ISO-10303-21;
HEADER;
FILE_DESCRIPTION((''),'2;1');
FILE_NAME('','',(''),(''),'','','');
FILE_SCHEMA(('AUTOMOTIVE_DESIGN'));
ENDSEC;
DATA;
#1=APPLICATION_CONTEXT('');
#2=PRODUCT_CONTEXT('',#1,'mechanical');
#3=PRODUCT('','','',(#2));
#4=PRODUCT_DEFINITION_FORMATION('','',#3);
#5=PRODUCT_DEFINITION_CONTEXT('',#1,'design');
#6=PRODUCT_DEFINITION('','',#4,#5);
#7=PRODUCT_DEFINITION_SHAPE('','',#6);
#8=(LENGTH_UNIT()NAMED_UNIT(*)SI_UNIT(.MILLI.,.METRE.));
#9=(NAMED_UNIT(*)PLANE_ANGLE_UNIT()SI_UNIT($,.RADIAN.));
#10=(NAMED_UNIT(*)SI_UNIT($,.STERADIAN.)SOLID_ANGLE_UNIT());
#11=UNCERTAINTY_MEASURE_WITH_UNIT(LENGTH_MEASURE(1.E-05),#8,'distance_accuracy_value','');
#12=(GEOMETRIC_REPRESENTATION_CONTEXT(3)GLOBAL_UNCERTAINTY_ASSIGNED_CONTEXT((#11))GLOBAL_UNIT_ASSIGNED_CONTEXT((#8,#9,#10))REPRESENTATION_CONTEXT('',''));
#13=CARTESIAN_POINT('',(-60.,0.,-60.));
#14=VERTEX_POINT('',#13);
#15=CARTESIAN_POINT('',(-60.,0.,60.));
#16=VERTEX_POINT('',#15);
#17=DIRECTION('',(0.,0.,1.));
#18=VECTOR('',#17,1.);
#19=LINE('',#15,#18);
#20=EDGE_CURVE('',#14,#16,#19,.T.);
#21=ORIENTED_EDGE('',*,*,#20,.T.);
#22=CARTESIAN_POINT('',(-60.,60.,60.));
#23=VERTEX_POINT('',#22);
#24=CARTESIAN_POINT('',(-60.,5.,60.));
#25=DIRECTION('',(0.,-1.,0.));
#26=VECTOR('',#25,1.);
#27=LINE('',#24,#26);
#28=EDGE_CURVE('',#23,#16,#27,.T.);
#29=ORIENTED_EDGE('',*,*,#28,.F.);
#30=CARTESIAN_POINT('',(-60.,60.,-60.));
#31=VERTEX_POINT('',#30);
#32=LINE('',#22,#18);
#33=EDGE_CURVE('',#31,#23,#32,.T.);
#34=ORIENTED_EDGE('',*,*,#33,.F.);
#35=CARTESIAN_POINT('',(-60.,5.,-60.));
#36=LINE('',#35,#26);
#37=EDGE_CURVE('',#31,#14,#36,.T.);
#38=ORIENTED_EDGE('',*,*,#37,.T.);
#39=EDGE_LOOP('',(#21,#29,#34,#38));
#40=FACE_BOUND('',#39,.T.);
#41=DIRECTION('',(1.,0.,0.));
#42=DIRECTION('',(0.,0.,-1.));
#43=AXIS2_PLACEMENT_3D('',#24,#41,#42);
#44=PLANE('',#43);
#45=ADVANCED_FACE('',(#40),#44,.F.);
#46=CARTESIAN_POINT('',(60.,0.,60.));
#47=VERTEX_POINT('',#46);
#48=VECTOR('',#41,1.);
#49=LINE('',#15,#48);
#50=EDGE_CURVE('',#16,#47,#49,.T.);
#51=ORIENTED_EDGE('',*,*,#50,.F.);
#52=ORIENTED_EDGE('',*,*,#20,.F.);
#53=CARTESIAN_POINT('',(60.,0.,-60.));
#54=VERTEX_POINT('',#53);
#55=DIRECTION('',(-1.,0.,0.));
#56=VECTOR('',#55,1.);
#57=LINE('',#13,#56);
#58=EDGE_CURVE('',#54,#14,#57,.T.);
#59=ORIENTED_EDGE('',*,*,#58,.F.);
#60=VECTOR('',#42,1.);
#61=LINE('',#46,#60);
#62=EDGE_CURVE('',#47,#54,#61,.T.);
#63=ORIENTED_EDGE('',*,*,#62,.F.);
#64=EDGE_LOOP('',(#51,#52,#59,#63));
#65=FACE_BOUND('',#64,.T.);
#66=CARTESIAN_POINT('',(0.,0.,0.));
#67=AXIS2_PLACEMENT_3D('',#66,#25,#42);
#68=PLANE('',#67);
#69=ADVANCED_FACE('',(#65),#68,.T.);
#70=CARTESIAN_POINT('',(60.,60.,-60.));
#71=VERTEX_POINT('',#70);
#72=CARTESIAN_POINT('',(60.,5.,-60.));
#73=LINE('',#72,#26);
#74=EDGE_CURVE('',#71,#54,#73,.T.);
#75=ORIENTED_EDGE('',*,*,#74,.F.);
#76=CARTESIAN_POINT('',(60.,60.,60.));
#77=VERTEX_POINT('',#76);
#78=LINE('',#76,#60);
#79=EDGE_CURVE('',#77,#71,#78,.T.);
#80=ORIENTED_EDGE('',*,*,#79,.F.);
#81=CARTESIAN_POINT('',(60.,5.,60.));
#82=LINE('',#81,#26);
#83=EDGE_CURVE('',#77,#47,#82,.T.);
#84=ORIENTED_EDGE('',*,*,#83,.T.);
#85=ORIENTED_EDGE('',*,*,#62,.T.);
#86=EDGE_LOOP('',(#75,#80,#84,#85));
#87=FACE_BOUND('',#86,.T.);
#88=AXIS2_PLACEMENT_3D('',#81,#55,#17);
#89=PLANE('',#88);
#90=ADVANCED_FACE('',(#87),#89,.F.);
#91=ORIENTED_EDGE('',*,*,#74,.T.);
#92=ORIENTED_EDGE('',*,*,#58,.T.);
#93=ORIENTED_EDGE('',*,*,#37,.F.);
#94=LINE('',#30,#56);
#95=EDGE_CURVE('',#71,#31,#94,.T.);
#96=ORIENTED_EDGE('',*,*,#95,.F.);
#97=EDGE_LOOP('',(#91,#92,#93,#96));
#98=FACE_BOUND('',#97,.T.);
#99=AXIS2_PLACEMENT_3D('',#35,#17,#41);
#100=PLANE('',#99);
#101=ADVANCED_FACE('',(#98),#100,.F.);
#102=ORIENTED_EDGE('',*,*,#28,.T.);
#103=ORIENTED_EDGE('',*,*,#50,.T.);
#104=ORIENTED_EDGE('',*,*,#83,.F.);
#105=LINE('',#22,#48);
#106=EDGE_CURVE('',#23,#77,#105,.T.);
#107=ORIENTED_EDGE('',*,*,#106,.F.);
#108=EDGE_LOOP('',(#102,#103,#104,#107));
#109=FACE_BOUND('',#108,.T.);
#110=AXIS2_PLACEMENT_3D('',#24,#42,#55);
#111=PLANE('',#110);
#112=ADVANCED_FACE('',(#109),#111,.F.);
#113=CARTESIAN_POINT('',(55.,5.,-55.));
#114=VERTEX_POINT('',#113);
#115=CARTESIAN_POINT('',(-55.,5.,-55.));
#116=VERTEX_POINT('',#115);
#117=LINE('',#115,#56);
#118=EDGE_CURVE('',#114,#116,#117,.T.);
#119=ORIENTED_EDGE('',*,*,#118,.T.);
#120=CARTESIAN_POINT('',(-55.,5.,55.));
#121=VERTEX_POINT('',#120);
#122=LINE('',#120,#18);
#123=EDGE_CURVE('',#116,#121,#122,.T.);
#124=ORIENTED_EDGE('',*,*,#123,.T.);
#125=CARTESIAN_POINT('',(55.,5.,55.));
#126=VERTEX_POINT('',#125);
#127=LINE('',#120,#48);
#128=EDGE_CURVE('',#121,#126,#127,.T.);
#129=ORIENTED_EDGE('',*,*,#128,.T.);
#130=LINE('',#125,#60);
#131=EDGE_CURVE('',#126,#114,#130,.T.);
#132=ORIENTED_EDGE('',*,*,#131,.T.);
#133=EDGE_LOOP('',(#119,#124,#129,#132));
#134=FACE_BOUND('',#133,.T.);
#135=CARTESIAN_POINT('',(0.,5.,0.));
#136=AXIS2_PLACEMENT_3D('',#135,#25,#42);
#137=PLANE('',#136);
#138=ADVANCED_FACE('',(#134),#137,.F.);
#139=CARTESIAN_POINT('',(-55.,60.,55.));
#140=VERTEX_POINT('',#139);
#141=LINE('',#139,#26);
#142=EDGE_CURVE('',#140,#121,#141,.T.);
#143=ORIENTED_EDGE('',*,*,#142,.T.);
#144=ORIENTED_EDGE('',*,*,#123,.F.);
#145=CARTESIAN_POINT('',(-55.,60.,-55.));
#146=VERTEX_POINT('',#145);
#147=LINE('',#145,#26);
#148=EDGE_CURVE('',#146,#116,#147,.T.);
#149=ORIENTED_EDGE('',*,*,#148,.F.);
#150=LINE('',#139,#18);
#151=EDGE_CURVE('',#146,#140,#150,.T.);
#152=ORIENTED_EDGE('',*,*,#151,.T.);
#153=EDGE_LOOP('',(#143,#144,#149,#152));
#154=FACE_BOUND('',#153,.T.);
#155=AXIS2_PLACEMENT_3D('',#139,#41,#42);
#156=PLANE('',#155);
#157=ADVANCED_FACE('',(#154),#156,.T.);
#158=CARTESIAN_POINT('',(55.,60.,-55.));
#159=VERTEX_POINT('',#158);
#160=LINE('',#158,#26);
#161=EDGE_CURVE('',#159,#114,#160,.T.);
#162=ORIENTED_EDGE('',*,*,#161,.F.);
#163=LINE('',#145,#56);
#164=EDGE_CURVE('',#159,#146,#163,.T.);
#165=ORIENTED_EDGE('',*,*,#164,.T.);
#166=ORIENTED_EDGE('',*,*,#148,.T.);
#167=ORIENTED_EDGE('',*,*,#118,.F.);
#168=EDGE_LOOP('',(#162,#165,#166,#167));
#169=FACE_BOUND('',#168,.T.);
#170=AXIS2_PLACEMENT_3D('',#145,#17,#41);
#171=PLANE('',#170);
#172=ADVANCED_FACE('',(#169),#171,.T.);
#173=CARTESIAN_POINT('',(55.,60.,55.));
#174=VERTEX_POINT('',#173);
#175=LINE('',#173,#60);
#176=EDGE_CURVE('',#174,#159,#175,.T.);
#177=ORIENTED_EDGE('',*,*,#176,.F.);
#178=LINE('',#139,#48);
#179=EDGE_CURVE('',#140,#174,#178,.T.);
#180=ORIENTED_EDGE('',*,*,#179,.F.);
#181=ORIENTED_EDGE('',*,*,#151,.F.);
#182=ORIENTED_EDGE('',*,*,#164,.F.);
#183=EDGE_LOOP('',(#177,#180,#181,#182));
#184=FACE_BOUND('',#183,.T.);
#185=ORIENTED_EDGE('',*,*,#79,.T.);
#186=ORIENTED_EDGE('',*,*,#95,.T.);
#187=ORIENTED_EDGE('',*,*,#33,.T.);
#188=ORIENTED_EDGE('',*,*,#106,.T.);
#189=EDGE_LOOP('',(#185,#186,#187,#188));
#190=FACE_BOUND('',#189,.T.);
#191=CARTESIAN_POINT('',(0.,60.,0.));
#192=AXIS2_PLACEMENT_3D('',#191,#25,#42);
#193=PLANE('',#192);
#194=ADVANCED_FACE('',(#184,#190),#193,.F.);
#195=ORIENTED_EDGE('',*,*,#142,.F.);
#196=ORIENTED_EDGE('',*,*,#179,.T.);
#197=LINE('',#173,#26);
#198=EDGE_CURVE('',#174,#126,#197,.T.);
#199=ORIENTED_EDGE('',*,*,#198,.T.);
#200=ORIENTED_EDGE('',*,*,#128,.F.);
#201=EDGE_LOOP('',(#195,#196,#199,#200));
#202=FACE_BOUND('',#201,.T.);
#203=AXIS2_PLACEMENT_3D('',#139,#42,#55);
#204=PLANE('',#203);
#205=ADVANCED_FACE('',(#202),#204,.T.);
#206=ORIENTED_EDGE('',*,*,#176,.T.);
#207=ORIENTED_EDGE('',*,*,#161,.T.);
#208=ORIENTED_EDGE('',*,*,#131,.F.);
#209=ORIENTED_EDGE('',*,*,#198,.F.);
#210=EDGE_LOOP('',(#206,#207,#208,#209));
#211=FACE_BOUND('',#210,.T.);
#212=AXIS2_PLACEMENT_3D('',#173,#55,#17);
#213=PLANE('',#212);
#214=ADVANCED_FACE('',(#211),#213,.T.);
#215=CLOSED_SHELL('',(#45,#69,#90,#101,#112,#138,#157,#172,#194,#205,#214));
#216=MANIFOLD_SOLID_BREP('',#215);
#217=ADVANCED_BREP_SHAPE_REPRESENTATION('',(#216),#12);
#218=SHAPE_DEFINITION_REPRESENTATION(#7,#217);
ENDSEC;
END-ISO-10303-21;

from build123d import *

# Parameters (mm, degrees)
SKETCH1_W           = 120
SKETCH1_H           = 120
BOSS_EXTRUDE1_DEPTH = 5
SKETCH2_W           = 120
SKETCH2_H           = 120
SKETCH2_W_2         = 110
SKETCH2_H_2         = 110
BOSS_EXTRUDE2_DEPTH = 55


with BuildPart() as part:
    # Sketch1 → Boss-Extrude1 (new body)
    with BuildSketch(Plane(origin=(0, 0, 0), x_dir=(1, 0, 0), z_dir=(0, 1, 0))):
        Rectangle(SKETCH1_W, SKETCH1_H)
    extrude(amount=BOSS_EXTRUDE1_DEPTH)

    # Sketch2 → Boss-Extrude2 (add)
    with BuildSketch(Plane(origin=(0, 5, 0), x_dir=(1, 0, 0), z_dir=(0, 1, 0))):
        Rectangle(SKETCH2_W, SKETCH2_H)
        Rectangle(SKETCH2_W_2, SKETCH2_H_2, mode=Mode.SUBTRACT)
    extrude(amount=BOSS_EXTRUDE2_DEPTH)


solid = part.part
